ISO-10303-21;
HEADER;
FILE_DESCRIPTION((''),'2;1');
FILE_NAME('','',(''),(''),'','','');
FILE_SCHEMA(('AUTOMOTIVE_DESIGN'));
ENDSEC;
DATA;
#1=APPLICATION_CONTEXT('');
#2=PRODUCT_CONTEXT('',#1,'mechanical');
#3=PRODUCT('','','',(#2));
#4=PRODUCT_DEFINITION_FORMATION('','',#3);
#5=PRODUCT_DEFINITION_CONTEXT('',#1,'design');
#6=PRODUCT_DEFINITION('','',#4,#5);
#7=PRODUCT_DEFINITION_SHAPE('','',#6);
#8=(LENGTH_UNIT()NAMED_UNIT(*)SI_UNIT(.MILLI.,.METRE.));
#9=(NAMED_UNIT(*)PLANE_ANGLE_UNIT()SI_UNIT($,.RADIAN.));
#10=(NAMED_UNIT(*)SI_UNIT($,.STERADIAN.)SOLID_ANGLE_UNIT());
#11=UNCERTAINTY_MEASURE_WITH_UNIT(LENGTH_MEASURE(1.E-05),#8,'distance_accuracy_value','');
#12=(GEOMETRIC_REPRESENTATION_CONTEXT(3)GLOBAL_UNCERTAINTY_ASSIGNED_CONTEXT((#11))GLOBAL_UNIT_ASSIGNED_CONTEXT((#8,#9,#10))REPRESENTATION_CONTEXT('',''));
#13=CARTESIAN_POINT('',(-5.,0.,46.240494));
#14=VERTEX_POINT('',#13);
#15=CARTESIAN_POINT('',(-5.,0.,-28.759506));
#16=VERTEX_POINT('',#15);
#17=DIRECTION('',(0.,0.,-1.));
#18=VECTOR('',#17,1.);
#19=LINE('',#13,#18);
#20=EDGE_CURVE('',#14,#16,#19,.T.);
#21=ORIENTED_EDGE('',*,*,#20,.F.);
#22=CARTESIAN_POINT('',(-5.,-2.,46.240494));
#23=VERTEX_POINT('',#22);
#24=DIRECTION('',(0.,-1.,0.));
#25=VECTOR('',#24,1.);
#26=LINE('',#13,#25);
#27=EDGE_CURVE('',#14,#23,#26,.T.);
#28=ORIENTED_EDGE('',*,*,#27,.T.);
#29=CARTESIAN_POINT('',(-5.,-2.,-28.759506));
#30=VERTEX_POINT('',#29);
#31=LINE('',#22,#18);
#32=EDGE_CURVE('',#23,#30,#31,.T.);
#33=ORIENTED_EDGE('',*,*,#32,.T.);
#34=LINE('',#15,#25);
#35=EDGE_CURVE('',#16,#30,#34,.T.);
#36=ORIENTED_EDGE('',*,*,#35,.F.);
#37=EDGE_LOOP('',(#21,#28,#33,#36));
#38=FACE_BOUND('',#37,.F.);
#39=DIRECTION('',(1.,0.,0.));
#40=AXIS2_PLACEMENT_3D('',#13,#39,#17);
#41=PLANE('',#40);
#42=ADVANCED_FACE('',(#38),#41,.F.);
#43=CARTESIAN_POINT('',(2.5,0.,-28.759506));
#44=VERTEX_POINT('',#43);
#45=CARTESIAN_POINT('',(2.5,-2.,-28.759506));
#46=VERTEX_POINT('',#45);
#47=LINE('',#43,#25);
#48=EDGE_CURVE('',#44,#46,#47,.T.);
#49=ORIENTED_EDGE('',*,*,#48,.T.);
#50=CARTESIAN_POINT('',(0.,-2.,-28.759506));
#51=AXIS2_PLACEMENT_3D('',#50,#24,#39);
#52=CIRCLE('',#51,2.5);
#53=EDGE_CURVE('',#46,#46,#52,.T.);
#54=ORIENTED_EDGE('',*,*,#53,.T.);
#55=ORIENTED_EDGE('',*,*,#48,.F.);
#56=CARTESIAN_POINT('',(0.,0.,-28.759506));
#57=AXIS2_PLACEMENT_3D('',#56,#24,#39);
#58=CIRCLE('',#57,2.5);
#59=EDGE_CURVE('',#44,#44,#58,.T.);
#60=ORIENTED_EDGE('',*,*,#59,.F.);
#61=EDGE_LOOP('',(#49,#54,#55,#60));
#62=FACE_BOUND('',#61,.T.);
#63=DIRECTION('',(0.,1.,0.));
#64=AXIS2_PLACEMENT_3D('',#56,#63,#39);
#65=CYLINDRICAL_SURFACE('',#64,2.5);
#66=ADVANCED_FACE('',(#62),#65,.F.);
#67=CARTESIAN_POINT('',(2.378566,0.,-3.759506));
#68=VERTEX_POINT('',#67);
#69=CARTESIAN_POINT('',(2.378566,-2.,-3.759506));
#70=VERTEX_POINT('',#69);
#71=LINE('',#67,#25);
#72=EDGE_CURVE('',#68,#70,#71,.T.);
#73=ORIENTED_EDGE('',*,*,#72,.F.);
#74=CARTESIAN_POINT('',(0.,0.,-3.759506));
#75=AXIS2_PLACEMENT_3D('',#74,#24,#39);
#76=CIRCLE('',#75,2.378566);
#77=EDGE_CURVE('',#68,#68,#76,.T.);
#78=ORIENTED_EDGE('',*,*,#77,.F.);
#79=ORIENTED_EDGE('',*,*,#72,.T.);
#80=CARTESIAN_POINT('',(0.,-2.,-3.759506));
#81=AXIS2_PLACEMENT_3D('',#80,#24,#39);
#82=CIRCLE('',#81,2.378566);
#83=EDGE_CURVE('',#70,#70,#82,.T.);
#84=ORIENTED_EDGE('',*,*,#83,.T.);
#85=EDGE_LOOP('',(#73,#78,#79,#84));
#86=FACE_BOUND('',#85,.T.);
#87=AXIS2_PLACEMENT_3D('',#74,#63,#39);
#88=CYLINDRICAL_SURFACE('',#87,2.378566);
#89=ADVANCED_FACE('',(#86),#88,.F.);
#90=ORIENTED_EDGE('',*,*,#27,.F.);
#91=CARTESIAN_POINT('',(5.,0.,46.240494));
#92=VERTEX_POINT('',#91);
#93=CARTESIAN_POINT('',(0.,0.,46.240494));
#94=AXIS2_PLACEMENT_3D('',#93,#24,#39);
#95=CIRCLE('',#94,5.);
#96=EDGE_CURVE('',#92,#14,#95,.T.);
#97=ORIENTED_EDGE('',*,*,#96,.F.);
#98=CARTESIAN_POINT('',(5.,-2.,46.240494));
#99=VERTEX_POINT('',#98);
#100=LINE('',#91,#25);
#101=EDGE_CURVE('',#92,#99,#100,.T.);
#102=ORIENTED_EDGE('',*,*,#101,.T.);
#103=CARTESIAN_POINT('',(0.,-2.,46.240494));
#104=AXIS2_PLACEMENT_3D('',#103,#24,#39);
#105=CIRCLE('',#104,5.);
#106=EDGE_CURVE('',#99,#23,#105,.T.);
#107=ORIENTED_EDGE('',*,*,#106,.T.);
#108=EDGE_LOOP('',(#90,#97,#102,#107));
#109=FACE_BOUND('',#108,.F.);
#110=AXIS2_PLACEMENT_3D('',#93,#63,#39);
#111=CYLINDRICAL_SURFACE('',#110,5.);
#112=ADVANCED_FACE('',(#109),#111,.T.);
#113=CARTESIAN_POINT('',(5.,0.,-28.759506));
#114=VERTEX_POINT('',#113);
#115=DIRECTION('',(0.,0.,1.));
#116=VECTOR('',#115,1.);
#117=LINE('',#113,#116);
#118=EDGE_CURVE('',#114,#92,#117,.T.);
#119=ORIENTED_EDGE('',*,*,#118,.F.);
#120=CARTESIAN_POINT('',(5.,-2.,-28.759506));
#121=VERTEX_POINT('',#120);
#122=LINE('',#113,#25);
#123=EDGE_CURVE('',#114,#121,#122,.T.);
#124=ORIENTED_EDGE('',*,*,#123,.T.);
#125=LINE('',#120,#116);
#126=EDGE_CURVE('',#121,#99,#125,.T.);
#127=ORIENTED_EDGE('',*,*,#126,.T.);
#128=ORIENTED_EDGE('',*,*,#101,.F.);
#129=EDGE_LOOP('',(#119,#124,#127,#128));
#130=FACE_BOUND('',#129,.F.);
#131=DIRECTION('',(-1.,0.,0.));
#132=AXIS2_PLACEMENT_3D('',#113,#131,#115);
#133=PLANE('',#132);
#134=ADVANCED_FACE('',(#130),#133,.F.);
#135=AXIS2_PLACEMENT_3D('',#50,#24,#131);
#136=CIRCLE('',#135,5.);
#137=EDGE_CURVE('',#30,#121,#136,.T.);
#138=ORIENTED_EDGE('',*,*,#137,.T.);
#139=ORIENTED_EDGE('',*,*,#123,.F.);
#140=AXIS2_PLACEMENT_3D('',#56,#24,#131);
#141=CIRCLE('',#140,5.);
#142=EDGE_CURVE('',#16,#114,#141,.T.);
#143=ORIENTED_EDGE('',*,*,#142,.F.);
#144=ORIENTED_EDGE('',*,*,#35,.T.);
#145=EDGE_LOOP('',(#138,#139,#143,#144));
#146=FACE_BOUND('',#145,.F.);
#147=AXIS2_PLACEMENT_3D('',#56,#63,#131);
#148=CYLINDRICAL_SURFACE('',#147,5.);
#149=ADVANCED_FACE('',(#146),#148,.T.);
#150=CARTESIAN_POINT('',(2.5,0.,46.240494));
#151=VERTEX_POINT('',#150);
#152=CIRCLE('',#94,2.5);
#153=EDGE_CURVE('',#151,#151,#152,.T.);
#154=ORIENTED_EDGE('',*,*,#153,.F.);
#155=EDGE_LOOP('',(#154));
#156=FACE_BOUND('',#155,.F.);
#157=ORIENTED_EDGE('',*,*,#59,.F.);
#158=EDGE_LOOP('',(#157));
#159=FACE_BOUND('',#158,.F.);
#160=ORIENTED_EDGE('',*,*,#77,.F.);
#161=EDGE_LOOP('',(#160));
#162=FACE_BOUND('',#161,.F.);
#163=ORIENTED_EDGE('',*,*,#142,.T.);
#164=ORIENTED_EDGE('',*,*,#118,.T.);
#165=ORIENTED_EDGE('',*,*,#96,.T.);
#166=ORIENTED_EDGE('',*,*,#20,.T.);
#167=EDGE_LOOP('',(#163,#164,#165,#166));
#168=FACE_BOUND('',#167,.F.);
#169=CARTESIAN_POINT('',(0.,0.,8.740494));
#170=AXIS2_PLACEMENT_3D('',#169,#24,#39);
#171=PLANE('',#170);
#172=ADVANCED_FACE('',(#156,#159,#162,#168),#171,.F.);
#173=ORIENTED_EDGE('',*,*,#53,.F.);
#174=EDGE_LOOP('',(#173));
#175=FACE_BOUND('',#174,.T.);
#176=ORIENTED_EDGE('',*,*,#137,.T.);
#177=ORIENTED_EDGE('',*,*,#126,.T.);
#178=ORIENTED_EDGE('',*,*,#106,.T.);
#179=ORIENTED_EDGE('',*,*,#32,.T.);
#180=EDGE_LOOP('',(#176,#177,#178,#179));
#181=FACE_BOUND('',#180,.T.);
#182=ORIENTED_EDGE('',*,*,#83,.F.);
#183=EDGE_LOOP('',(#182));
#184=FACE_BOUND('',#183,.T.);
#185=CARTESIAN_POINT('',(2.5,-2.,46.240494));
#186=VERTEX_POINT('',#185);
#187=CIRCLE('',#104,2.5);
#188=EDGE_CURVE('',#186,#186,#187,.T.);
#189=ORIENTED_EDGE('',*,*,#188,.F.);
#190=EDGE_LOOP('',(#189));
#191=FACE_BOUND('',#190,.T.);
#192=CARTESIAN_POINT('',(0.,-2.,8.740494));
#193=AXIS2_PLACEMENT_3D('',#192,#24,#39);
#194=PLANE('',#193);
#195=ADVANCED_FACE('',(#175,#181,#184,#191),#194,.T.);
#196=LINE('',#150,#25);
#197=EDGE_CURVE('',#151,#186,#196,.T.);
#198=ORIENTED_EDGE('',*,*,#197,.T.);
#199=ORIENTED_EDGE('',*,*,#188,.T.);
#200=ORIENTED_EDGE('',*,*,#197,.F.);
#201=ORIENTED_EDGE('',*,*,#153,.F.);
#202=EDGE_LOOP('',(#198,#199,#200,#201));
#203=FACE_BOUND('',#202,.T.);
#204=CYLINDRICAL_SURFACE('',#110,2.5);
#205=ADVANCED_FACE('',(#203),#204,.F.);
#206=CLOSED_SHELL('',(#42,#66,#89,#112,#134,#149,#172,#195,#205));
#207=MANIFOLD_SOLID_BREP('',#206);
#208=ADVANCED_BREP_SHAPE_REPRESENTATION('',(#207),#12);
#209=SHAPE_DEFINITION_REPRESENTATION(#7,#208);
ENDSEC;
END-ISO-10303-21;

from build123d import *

# Parameters (mm, degrees)
F0_R     = 2.5
F0_R_2   = 2.378566
F1_DEPTH = 2


with BuildPart() as f1:
    # F0 (on Front) → F1 (new body)
    with BuildSketch(Plane.XZ):
        with BuildLine():
            Line((5, -28.759506), (5, 46.240494))
            ThreePointArc((5, 46.240494), (0, 51.240494), (-5, 46.240494))
            Line((-5, 46.240494), (-5, -28.759506))
            ThreePointArc((-5, -28.759506), (0, -33.759506), (5, -28.759506))
        make_face()
        with Locations((0, -28.759506)):
            Circle(F0_R, mode=Mode.SUBTRACT)
        with Locations((0, -3.759506)):
            Circle(F0_R_2, mode=Mode.SUBTRACT)
        with Locations((0, 46.240494)):
            Circle(F0_R, mode=Mode.SUBTRACT)
    extrude(amount=F1_DEPTH)


solid = f1.part
